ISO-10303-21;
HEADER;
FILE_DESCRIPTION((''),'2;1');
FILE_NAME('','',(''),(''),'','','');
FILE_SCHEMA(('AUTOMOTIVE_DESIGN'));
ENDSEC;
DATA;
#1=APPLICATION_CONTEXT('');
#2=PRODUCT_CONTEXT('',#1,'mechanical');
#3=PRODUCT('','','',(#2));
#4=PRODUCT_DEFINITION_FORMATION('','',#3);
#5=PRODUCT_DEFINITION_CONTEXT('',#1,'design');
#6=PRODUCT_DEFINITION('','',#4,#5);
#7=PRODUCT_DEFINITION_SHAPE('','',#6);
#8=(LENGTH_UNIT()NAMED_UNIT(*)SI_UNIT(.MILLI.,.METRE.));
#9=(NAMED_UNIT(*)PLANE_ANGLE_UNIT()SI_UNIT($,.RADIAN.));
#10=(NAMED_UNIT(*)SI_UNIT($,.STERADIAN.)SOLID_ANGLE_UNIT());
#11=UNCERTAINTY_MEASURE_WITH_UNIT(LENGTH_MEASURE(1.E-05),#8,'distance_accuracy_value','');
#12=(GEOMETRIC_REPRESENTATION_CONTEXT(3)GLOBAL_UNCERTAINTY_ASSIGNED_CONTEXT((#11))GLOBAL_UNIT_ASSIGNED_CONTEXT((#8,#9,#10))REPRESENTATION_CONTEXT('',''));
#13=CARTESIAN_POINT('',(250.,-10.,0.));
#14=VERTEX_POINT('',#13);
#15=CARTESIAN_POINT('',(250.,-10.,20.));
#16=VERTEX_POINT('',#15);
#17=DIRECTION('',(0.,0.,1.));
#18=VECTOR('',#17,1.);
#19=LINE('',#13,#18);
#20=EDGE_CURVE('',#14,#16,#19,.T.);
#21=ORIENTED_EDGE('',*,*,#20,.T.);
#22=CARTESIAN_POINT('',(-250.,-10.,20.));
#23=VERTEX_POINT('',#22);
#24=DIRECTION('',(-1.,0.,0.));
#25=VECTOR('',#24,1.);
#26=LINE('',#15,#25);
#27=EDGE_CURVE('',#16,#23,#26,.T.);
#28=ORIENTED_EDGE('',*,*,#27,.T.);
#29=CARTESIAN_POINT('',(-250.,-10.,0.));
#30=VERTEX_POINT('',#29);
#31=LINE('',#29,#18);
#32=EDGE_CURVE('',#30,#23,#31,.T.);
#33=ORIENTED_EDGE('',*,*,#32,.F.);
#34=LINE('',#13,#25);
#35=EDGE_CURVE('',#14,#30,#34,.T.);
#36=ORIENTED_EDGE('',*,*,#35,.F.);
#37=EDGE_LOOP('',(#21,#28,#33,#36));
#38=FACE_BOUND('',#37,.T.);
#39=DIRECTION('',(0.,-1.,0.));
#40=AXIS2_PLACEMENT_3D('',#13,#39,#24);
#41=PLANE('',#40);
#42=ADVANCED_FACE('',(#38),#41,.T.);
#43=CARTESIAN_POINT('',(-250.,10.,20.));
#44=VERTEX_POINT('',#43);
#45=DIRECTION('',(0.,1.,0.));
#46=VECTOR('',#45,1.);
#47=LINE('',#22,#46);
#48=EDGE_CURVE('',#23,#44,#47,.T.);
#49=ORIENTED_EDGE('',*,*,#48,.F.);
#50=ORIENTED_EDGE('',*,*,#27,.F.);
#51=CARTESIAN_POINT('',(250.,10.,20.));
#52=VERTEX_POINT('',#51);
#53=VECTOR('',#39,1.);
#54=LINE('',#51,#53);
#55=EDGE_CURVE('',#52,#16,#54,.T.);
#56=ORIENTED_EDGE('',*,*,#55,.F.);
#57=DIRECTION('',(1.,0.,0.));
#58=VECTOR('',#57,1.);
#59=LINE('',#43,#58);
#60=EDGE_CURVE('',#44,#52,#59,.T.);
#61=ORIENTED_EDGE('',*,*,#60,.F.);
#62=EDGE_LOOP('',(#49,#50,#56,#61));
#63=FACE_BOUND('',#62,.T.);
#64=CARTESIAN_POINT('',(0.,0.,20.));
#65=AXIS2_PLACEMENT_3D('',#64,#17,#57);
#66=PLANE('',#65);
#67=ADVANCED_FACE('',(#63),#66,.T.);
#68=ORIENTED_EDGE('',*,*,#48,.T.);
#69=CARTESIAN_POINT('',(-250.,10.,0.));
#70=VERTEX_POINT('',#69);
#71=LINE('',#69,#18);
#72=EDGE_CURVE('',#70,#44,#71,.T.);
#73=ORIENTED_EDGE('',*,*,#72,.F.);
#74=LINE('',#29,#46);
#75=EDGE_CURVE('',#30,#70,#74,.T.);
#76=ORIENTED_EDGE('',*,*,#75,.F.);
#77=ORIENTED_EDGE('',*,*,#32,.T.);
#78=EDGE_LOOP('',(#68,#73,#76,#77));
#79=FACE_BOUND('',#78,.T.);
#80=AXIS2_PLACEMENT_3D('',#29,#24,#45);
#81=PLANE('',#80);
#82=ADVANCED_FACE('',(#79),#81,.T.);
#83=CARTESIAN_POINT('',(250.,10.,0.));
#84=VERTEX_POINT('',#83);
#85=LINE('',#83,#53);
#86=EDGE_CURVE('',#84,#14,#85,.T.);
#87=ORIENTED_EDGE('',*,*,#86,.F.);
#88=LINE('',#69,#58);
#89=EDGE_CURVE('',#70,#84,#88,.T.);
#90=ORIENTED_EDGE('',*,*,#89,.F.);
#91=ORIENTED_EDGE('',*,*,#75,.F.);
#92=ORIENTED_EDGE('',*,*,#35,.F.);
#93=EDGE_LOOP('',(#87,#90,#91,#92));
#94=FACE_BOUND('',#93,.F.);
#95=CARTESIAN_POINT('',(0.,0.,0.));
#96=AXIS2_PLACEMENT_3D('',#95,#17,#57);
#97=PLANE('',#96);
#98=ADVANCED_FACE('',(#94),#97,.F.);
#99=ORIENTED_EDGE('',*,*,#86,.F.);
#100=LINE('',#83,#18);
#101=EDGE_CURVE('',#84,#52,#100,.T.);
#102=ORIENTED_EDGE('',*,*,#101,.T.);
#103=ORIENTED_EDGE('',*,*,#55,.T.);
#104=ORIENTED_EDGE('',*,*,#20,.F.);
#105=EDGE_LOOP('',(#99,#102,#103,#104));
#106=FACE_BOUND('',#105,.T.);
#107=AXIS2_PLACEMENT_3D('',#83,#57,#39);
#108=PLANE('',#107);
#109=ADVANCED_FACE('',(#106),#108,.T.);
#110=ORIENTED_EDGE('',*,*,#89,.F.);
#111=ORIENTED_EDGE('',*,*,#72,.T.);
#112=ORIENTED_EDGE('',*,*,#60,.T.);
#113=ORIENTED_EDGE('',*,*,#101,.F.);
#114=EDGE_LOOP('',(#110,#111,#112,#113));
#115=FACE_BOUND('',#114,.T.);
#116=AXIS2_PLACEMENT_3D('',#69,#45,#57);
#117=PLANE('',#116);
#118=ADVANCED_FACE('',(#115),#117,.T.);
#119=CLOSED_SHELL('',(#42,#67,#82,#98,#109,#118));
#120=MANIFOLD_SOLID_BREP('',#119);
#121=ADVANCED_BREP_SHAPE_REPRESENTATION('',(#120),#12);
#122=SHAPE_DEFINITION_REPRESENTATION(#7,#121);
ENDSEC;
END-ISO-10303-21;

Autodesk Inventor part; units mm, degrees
ref_plane "YZ Plane" through (0, 0, 0) normal (1, 0, 0) x (0, 1, 0)
ref_plane "XZ Plane" through (0, 0, 0) normal (0, 1, 0) x (-1, 0, 0)
ref_plane "XY Plane" through (0, 0, 0) normal (0, 0, 1) x (1, 0, 0)
sketch "Sketch1" plane through (0, 0, 0) normal (0, 0, 1) x (1, 0, 0)
  line L0 (-250, 10) -> (250, 10)
  line L1 (250, 10) -> (250, -10)
  line L2 (250, -10) -> (-250, -10)
  line L3 (-250, -10) -> (-250, 10)
  point P0 (0, 0)
  point P1 (-250, 0)
  point P2 (0, 10)
  dimension "d0" = 20
  dimension "d1" = 500
extrude "Extrusion1" add sketch "Sketch1" along normal blind 20
sketch "Sketch2" plane through (0, 0, 20) normal (0, 0, 1) x (1, 0, 0)
  line L0 (-50.1977, 9.8362) -> (224.6394, 9.8362) construction
  line L1 (224.6394, 9.8362) -> (224.6394, 2.2903) construction
  line L2 (224.6394, 2.2903) -> (-50.1977, 2.2903) construction
  line L3 (-50.1977, 2.2903) -> (-50.1977, 9.8362) construction
  point P0 (0, 0)
properties part number "0005-10-1017 pat de cablu"
